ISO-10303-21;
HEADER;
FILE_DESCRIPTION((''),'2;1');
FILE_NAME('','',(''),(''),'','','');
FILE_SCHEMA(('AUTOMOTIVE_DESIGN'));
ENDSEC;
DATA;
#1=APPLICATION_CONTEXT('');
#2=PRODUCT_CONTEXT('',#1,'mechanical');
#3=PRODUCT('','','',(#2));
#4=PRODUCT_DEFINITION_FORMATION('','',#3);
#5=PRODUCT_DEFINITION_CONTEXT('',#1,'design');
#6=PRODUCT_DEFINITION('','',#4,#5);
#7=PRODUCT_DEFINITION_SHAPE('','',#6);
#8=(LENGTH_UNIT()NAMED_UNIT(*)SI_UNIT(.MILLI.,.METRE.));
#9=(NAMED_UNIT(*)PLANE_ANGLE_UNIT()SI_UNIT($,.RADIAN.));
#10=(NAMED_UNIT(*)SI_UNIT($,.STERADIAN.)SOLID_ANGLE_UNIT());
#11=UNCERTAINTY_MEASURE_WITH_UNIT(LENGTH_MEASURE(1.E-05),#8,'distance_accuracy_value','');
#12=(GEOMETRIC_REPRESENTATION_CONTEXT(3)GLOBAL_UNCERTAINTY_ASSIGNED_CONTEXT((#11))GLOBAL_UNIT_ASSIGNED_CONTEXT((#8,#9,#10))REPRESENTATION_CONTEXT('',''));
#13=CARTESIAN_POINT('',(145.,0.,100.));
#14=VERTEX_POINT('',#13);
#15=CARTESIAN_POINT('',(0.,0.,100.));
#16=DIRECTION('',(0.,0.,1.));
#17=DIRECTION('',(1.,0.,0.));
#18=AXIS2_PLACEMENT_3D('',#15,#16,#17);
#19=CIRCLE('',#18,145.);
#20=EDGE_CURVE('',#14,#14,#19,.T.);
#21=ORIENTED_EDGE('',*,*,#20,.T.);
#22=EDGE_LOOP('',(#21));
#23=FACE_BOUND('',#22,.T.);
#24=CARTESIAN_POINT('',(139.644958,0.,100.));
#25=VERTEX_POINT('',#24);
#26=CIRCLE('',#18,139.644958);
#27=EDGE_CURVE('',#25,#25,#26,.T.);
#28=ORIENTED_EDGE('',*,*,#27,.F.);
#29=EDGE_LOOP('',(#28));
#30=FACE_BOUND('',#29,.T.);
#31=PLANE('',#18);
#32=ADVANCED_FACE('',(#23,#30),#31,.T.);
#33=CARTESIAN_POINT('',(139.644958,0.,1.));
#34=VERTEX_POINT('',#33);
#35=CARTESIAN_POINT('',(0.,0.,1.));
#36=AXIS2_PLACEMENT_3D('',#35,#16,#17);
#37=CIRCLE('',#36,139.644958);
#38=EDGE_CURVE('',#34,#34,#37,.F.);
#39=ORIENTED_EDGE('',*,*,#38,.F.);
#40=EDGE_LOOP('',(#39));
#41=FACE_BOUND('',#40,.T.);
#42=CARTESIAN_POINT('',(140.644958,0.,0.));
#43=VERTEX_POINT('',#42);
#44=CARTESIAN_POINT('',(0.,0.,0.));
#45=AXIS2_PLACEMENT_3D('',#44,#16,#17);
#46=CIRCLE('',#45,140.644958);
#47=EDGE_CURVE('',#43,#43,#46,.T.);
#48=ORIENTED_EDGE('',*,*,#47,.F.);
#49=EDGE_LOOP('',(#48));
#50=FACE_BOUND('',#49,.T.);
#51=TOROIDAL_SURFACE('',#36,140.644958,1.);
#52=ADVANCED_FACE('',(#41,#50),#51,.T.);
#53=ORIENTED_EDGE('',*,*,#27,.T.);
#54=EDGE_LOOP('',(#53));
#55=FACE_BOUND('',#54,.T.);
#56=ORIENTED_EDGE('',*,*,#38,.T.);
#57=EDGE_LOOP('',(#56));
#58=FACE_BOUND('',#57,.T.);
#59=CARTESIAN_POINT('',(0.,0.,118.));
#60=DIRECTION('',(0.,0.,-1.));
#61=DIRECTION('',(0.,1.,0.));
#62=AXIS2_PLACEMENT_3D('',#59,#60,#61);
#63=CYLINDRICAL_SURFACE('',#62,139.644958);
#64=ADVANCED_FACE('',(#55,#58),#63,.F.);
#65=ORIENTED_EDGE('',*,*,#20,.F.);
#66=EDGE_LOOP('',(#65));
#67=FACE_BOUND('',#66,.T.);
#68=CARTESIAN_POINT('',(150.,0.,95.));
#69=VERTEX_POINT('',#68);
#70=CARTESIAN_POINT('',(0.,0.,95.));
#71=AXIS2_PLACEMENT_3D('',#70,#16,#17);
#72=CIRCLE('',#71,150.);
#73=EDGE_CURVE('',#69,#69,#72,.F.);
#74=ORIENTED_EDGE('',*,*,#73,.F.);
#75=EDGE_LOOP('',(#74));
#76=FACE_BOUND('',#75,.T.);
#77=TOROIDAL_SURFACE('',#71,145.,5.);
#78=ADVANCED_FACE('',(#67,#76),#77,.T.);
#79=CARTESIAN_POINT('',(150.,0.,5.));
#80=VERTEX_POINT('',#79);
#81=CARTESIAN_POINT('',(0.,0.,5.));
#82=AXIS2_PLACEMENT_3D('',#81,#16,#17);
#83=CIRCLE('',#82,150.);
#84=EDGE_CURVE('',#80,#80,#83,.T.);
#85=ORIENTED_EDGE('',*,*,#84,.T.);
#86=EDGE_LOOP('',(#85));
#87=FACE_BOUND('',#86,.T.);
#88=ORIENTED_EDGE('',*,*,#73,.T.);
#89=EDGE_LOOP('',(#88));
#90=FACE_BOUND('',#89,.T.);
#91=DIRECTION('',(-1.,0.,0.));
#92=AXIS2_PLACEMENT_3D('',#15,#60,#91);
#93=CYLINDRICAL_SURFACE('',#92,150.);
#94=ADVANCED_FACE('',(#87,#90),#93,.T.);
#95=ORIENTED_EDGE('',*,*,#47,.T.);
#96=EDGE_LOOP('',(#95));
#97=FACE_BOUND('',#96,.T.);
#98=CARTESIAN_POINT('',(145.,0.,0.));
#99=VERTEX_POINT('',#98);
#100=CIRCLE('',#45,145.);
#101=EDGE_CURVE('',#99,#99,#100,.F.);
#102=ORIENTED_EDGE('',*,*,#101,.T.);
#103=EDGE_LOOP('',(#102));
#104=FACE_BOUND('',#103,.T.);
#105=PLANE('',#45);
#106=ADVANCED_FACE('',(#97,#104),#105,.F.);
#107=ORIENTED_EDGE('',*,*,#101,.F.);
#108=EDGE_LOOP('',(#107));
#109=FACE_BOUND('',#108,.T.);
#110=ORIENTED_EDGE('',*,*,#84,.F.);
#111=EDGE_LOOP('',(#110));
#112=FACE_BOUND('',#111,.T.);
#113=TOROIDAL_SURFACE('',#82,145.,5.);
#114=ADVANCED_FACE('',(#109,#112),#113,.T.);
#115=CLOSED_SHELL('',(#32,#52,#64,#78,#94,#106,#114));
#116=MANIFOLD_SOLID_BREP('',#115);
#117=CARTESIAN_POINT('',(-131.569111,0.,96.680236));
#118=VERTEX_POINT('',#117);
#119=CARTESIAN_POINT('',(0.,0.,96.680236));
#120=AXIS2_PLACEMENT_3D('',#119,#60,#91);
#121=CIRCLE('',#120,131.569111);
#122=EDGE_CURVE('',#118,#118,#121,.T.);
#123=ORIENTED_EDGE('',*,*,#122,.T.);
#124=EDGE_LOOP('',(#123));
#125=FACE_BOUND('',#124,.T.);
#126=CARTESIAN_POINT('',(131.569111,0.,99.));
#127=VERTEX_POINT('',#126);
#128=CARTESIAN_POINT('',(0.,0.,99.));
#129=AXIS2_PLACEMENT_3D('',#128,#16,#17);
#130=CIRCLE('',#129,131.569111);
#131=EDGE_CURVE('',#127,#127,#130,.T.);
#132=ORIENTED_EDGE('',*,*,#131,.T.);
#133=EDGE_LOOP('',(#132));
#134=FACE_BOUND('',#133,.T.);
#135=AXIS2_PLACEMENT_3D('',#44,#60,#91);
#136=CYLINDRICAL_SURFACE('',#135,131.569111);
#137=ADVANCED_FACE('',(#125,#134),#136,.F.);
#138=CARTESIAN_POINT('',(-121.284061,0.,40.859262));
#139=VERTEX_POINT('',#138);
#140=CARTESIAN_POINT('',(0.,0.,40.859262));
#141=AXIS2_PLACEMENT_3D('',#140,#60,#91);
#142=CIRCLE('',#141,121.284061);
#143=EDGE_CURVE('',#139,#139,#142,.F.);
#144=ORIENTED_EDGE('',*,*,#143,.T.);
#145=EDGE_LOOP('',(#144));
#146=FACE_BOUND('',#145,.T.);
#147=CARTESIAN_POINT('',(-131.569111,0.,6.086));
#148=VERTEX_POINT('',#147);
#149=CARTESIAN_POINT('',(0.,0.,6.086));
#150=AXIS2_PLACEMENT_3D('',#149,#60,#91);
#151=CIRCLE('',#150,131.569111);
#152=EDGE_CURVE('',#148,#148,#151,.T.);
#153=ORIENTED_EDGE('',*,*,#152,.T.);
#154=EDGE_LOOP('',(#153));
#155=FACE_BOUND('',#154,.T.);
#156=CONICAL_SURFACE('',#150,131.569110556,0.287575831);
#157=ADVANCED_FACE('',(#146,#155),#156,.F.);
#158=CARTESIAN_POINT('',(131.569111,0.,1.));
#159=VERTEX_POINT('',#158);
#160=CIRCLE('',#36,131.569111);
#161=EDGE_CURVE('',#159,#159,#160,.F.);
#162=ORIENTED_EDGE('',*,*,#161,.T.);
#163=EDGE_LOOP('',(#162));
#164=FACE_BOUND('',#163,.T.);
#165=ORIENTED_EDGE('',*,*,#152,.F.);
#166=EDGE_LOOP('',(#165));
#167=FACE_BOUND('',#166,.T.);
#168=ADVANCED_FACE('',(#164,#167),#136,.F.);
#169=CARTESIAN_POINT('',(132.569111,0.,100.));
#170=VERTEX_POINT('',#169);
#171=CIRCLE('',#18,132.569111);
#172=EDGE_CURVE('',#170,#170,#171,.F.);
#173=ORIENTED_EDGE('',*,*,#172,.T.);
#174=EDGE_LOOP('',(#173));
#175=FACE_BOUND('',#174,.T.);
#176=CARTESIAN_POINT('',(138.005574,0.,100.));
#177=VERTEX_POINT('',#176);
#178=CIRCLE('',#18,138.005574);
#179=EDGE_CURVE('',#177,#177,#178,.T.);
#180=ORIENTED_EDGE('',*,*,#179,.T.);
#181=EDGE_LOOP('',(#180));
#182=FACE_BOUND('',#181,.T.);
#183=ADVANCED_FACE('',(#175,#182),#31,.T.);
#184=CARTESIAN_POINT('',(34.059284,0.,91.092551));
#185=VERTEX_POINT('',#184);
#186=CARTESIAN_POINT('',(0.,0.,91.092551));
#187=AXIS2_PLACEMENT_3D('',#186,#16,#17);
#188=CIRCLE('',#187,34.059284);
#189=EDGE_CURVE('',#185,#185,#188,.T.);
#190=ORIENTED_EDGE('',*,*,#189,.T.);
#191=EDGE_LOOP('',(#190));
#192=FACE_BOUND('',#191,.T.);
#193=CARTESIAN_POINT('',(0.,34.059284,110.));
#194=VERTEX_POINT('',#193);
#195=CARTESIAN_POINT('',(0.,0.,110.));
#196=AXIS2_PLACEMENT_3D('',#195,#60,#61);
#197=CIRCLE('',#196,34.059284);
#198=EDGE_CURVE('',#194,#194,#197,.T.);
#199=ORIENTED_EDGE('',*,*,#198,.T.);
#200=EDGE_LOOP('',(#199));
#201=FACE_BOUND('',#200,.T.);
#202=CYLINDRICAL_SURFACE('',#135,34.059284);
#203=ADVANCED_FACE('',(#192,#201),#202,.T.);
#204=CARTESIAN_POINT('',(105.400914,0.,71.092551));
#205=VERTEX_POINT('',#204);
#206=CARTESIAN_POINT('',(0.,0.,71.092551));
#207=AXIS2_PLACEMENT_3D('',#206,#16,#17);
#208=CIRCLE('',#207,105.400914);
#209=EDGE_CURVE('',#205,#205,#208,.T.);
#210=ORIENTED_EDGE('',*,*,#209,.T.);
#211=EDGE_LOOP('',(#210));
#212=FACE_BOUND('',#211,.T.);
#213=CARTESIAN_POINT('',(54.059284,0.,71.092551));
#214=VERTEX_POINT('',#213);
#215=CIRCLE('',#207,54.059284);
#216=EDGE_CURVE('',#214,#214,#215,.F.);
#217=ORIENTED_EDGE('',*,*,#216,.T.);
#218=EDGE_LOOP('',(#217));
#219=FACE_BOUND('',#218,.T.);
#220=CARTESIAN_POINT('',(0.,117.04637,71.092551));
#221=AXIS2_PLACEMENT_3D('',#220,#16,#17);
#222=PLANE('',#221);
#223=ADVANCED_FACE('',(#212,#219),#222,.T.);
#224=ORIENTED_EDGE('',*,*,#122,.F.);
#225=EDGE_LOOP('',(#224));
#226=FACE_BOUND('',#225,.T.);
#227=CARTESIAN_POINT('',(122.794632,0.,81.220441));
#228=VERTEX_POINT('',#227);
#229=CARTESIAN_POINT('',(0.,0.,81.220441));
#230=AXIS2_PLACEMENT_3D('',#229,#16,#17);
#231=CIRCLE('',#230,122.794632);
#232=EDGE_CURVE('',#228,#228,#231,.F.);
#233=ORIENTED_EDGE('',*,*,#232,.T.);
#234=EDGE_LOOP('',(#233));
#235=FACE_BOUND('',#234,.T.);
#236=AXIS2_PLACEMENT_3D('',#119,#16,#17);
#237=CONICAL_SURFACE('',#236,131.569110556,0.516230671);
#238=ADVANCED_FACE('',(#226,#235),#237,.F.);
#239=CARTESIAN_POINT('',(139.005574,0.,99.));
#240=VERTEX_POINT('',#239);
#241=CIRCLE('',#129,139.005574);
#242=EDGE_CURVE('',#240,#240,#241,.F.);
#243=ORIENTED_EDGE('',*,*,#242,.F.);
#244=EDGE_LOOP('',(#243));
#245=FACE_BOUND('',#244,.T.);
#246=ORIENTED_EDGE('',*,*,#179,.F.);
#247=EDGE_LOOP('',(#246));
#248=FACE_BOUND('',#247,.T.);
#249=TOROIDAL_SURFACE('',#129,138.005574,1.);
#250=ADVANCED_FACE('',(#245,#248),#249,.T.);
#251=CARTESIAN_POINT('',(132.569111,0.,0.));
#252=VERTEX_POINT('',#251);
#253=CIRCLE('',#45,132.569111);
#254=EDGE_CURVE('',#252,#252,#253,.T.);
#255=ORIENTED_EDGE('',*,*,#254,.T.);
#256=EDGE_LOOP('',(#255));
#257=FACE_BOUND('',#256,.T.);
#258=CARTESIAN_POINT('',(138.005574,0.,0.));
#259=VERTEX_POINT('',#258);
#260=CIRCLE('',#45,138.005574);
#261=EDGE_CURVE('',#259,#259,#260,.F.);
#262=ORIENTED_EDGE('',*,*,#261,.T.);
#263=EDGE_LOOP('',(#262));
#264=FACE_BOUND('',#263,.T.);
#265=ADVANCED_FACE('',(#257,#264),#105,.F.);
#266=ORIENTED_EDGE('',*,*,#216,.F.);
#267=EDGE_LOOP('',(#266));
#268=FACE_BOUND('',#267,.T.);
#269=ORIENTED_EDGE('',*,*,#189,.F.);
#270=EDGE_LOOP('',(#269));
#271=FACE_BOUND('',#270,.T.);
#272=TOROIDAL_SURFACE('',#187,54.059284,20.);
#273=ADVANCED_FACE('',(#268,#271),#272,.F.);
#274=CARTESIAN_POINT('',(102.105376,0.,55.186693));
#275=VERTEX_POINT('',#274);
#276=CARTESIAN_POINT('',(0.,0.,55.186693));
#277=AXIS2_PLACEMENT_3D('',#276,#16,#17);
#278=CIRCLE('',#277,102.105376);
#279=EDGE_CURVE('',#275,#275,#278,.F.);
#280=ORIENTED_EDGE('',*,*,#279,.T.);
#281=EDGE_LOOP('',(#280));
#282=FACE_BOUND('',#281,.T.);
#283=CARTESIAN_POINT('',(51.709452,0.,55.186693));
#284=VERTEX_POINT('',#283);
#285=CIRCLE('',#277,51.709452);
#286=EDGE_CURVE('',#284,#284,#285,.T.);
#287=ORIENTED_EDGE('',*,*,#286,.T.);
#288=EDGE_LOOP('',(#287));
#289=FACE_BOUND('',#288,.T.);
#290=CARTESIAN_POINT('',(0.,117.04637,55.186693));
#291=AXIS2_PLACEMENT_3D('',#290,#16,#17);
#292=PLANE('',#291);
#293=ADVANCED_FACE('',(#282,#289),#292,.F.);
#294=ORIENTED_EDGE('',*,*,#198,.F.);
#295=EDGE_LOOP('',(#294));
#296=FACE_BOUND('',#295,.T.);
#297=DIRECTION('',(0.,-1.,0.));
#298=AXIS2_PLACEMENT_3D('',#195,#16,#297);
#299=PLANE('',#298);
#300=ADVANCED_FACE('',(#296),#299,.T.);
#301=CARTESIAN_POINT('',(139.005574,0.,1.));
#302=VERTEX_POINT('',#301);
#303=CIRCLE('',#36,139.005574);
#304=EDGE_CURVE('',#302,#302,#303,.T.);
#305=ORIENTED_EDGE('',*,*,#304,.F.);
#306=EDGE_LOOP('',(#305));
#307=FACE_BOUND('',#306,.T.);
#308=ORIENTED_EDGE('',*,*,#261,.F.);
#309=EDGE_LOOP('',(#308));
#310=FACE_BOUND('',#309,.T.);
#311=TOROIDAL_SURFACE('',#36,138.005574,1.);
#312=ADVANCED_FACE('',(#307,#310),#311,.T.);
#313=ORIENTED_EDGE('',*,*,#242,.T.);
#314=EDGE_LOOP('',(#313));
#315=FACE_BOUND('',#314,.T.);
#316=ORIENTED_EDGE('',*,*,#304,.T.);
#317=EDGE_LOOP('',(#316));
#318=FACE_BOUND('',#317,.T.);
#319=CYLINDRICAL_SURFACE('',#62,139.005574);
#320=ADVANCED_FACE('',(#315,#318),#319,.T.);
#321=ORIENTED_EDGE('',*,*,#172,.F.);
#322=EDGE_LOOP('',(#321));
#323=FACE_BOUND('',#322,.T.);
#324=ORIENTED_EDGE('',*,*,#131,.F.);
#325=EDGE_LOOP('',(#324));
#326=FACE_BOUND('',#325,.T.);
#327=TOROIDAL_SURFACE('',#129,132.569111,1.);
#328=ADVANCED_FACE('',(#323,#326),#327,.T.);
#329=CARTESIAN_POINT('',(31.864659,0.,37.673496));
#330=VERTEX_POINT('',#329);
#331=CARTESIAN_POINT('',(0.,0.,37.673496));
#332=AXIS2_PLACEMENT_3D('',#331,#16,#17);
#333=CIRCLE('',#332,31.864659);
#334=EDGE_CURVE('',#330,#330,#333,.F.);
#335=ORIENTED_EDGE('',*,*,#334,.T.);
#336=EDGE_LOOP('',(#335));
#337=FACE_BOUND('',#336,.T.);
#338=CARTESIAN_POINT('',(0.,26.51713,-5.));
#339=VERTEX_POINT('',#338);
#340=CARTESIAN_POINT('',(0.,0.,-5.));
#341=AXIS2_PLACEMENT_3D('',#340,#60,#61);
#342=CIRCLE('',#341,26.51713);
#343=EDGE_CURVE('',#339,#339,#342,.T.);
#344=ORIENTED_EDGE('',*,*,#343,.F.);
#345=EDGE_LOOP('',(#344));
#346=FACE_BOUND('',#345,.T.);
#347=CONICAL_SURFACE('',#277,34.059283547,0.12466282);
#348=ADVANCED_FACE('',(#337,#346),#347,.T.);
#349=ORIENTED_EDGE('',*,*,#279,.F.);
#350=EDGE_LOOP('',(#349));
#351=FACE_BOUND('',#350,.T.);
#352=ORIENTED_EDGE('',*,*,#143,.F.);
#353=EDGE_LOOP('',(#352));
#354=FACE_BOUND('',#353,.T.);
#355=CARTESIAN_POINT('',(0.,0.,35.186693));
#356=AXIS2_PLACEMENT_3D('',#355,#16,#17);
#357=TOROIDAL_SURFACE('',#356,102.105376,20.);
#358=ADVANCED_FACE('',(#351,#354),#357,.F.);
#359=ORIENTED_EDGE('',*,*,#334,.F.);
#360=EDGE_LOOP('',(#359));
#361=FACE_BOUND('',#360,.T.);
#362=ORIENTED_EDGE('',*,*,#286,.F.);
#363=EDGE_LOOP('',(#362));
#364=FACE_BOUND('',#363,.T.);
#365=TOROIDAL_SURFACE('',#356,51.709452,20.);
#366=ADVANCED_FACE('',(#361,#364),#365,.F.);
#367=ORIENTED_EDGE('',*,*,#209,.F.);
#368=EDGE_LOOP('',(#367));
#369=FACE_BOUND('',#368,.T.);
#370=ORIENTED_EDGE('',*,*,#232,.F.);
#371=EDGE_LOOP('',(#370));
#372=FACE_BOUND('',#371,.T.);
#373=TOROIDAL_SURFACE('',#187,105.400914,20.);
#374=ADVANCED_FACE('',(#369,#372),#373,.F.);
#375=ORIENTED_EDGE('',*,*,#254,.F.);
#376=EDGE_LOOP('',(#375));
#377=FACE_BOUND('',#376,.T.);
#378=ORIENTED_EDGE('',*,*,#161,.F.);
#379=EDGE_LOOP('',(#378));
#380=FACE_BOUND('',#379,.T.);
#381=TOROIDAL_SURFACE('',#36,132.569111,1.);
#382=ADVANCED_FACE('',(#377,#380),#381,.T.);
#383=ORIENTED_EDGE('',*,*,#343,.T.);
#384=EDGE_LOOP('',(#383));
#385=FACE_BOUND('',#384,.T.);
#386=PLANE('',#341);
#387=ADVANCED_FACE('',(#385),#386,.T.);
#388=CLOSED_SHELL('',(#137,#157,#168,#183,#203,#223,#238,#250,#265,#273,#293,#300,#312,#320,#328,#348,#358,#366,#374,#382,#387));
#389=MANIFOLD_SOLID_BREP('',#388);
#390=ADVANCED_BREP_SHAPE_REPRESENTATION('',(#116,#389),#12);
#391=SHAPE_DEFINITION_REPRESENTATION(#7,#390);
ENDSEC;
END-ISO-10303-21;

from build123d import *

# Parameters (mm, degrees)
SKETCH1_R           = 150
BOSS_EXTRUDE1_DEPTH = 100
FILLET1_R           = 20
FILLET2_R           = 20
SKETCH4_W           = 10
SKETCH4_H           = 34.059283547
FILLET3_R           = 5
SKETCH6_R           = 139.644957961
SKETCH6_R_2         = 139.005574042
CUT_EXTRUDE2_DEPTH  = 123
FILLET4_R           = 1
FILLET5_R           = 1
FILLET6_R           = 1


with BuildPart() as part:
    # Sketch1 → Boss-Extrude1 (new body)
    with BuildSketch(Plane.XY):
        Circle(SKETCH1_R)
    extrude(amount=BOSS_EXTRUDE1_DEPTH)

    # Sketch2 → Cut-Revolve1 (revolve, cut)
    with BuildSketch(Plane(origin=(0, 0, 0), x_dir=(0, 0, -1), z_dir=(1, 0, 0)), mode=Mode.PRIVATE) as cut_revolve1_sk:
        Polygon((0, 131.569110556), (-6.085999893, 131.569110556), (-55.186692926, 117.046370363), (-55.186692926, 34.059283547), (0, 27.143692979), align=None)
        Polygon((-100, 131.569110556), (-96.680236334, 131.569110556), (-71.092551232, 117.046370363), (-71.092551232, 34.059283547), (-100, 34.059283547), align=None)
    revolve(cut_revolve1_sk.sketch.rotate(Axis((0, 0, 0), (0, 0, 1)), 90), axis=Axis((0, 0, 0), (0, 0, 1)), mode=Mode.SUBTRACT)

    # Fillet1
    fillet1_edges = [part.edges().sort_by_distance(p)[0] for p in [
        (34.059283547, 0, 55.186692926),
        (117.046370363, 0, 55.186692926),
    ]]
    fillet(fillet1_edges, radius=FILLET1_R)

    # Fillet2
    fillet2_edges = [part.edges().sort_by_distance(p)[0] for p in [
        (117.046370363, 0, 71.092551232),
        (34.059283547, 0, 71.092551232),
    ]]
    fillet(fillet2_edges, radius=FILLET2_R)

    # Sketch4 → Revolve1 (revolve)
    with BuildSketch(Plane(origin=(0, 0, 0), x_dir=(0, 0, -1), z_dir=(1, 0, 0)), mode=Mode.PRIVATE) as revolve1_sk:
        Polygon((0, 0), (5, 0), (5, 26.517129744), (0, 27.143692979), align=None)
        with Locations((-105, 17.029641773)):
            Rectangle(SKETCH4_W, SKETCH4_H)
    revolve(revolve1_sk.sketch.rotate(Axis((0, 0, 100), (0, 0, 1)), 270), axis=Axis((0, 0, 100), (0, 0, 1)))

    # Fillet3
    fillet3_edges = [part.edges().sort_by_distance(p)[0] for p in [
        (-150, 0, 0),
        (-150, 0, 100),
    ]]
    fillet(fillet3_edges, radius=FILLET3_R)

    # Sketch6 → Cut-Extrude2 (cut)
    with BuildSketch(Plane(origin=(0, 0, -5), x_dir=(-1, 0, 0), z_dir=(0, 0, -1))):
        with Locations(Location((0, 0, 0), (0, 0, 180))):
            Circle(SKETCH6_R)
        with Locations(Location((0, 0, 0), (0, 0, 180))):
            Circle(SKETCH6_R_2, mode=Mode.SUBTRACT)
    extrude(amount=-CUT_EXTRUDE2_DEPTH, mode=Mode.SUBTRACT)


with BuildPart() as cut_extrude2_piece_1:
    # of the separate pieces the step leaves, piece 1, a body of its own (cut_extrude2_pieces)
    add(part.part.solids().sort_by_distance((139.005574042, 0, 100))[0])

    # Fillet5
    fillet5_edges = [cut_extrude2_piece_1.edges().sort_by_distance(p)[0] for p in [
        (131.569110556, 0, 100),
        (-139.005574042, 0, 100),
    ]]
    fillet(fillet5_edges, radius=FILLET5_R)

    # Fillet6
    fillet6_edges = [cut_extrude2_piece_1.edges().sort_by_distance(p)[0] for p in [
        (131.569110556, 0, 0),
        (-139.005574042, 0, 0),
    ]]
    fillet(fillet6_edges, radius=FILLET6_R)


with BuildPart() as cut_extrude2_piece_2:
    # of the separate pieces the step leaves, piece 2, a body of its own (cut_extrude2_pieces)
    add(part.part.solids().sort_by_distance((145, 0, 100))[0])

    # Fillet4
    fillet4_edges = [cut_extrude2_piece_2.edges().sort_by_distance(p)[0] for p in [
        (-139.644957961, 0, 0),
    ]]
    fillet(fillet4_edges, radius=FILLET4_R)


solid = Compound([cut_extrude2_piece_1.part, cut_extrude2_piece_2.part])
